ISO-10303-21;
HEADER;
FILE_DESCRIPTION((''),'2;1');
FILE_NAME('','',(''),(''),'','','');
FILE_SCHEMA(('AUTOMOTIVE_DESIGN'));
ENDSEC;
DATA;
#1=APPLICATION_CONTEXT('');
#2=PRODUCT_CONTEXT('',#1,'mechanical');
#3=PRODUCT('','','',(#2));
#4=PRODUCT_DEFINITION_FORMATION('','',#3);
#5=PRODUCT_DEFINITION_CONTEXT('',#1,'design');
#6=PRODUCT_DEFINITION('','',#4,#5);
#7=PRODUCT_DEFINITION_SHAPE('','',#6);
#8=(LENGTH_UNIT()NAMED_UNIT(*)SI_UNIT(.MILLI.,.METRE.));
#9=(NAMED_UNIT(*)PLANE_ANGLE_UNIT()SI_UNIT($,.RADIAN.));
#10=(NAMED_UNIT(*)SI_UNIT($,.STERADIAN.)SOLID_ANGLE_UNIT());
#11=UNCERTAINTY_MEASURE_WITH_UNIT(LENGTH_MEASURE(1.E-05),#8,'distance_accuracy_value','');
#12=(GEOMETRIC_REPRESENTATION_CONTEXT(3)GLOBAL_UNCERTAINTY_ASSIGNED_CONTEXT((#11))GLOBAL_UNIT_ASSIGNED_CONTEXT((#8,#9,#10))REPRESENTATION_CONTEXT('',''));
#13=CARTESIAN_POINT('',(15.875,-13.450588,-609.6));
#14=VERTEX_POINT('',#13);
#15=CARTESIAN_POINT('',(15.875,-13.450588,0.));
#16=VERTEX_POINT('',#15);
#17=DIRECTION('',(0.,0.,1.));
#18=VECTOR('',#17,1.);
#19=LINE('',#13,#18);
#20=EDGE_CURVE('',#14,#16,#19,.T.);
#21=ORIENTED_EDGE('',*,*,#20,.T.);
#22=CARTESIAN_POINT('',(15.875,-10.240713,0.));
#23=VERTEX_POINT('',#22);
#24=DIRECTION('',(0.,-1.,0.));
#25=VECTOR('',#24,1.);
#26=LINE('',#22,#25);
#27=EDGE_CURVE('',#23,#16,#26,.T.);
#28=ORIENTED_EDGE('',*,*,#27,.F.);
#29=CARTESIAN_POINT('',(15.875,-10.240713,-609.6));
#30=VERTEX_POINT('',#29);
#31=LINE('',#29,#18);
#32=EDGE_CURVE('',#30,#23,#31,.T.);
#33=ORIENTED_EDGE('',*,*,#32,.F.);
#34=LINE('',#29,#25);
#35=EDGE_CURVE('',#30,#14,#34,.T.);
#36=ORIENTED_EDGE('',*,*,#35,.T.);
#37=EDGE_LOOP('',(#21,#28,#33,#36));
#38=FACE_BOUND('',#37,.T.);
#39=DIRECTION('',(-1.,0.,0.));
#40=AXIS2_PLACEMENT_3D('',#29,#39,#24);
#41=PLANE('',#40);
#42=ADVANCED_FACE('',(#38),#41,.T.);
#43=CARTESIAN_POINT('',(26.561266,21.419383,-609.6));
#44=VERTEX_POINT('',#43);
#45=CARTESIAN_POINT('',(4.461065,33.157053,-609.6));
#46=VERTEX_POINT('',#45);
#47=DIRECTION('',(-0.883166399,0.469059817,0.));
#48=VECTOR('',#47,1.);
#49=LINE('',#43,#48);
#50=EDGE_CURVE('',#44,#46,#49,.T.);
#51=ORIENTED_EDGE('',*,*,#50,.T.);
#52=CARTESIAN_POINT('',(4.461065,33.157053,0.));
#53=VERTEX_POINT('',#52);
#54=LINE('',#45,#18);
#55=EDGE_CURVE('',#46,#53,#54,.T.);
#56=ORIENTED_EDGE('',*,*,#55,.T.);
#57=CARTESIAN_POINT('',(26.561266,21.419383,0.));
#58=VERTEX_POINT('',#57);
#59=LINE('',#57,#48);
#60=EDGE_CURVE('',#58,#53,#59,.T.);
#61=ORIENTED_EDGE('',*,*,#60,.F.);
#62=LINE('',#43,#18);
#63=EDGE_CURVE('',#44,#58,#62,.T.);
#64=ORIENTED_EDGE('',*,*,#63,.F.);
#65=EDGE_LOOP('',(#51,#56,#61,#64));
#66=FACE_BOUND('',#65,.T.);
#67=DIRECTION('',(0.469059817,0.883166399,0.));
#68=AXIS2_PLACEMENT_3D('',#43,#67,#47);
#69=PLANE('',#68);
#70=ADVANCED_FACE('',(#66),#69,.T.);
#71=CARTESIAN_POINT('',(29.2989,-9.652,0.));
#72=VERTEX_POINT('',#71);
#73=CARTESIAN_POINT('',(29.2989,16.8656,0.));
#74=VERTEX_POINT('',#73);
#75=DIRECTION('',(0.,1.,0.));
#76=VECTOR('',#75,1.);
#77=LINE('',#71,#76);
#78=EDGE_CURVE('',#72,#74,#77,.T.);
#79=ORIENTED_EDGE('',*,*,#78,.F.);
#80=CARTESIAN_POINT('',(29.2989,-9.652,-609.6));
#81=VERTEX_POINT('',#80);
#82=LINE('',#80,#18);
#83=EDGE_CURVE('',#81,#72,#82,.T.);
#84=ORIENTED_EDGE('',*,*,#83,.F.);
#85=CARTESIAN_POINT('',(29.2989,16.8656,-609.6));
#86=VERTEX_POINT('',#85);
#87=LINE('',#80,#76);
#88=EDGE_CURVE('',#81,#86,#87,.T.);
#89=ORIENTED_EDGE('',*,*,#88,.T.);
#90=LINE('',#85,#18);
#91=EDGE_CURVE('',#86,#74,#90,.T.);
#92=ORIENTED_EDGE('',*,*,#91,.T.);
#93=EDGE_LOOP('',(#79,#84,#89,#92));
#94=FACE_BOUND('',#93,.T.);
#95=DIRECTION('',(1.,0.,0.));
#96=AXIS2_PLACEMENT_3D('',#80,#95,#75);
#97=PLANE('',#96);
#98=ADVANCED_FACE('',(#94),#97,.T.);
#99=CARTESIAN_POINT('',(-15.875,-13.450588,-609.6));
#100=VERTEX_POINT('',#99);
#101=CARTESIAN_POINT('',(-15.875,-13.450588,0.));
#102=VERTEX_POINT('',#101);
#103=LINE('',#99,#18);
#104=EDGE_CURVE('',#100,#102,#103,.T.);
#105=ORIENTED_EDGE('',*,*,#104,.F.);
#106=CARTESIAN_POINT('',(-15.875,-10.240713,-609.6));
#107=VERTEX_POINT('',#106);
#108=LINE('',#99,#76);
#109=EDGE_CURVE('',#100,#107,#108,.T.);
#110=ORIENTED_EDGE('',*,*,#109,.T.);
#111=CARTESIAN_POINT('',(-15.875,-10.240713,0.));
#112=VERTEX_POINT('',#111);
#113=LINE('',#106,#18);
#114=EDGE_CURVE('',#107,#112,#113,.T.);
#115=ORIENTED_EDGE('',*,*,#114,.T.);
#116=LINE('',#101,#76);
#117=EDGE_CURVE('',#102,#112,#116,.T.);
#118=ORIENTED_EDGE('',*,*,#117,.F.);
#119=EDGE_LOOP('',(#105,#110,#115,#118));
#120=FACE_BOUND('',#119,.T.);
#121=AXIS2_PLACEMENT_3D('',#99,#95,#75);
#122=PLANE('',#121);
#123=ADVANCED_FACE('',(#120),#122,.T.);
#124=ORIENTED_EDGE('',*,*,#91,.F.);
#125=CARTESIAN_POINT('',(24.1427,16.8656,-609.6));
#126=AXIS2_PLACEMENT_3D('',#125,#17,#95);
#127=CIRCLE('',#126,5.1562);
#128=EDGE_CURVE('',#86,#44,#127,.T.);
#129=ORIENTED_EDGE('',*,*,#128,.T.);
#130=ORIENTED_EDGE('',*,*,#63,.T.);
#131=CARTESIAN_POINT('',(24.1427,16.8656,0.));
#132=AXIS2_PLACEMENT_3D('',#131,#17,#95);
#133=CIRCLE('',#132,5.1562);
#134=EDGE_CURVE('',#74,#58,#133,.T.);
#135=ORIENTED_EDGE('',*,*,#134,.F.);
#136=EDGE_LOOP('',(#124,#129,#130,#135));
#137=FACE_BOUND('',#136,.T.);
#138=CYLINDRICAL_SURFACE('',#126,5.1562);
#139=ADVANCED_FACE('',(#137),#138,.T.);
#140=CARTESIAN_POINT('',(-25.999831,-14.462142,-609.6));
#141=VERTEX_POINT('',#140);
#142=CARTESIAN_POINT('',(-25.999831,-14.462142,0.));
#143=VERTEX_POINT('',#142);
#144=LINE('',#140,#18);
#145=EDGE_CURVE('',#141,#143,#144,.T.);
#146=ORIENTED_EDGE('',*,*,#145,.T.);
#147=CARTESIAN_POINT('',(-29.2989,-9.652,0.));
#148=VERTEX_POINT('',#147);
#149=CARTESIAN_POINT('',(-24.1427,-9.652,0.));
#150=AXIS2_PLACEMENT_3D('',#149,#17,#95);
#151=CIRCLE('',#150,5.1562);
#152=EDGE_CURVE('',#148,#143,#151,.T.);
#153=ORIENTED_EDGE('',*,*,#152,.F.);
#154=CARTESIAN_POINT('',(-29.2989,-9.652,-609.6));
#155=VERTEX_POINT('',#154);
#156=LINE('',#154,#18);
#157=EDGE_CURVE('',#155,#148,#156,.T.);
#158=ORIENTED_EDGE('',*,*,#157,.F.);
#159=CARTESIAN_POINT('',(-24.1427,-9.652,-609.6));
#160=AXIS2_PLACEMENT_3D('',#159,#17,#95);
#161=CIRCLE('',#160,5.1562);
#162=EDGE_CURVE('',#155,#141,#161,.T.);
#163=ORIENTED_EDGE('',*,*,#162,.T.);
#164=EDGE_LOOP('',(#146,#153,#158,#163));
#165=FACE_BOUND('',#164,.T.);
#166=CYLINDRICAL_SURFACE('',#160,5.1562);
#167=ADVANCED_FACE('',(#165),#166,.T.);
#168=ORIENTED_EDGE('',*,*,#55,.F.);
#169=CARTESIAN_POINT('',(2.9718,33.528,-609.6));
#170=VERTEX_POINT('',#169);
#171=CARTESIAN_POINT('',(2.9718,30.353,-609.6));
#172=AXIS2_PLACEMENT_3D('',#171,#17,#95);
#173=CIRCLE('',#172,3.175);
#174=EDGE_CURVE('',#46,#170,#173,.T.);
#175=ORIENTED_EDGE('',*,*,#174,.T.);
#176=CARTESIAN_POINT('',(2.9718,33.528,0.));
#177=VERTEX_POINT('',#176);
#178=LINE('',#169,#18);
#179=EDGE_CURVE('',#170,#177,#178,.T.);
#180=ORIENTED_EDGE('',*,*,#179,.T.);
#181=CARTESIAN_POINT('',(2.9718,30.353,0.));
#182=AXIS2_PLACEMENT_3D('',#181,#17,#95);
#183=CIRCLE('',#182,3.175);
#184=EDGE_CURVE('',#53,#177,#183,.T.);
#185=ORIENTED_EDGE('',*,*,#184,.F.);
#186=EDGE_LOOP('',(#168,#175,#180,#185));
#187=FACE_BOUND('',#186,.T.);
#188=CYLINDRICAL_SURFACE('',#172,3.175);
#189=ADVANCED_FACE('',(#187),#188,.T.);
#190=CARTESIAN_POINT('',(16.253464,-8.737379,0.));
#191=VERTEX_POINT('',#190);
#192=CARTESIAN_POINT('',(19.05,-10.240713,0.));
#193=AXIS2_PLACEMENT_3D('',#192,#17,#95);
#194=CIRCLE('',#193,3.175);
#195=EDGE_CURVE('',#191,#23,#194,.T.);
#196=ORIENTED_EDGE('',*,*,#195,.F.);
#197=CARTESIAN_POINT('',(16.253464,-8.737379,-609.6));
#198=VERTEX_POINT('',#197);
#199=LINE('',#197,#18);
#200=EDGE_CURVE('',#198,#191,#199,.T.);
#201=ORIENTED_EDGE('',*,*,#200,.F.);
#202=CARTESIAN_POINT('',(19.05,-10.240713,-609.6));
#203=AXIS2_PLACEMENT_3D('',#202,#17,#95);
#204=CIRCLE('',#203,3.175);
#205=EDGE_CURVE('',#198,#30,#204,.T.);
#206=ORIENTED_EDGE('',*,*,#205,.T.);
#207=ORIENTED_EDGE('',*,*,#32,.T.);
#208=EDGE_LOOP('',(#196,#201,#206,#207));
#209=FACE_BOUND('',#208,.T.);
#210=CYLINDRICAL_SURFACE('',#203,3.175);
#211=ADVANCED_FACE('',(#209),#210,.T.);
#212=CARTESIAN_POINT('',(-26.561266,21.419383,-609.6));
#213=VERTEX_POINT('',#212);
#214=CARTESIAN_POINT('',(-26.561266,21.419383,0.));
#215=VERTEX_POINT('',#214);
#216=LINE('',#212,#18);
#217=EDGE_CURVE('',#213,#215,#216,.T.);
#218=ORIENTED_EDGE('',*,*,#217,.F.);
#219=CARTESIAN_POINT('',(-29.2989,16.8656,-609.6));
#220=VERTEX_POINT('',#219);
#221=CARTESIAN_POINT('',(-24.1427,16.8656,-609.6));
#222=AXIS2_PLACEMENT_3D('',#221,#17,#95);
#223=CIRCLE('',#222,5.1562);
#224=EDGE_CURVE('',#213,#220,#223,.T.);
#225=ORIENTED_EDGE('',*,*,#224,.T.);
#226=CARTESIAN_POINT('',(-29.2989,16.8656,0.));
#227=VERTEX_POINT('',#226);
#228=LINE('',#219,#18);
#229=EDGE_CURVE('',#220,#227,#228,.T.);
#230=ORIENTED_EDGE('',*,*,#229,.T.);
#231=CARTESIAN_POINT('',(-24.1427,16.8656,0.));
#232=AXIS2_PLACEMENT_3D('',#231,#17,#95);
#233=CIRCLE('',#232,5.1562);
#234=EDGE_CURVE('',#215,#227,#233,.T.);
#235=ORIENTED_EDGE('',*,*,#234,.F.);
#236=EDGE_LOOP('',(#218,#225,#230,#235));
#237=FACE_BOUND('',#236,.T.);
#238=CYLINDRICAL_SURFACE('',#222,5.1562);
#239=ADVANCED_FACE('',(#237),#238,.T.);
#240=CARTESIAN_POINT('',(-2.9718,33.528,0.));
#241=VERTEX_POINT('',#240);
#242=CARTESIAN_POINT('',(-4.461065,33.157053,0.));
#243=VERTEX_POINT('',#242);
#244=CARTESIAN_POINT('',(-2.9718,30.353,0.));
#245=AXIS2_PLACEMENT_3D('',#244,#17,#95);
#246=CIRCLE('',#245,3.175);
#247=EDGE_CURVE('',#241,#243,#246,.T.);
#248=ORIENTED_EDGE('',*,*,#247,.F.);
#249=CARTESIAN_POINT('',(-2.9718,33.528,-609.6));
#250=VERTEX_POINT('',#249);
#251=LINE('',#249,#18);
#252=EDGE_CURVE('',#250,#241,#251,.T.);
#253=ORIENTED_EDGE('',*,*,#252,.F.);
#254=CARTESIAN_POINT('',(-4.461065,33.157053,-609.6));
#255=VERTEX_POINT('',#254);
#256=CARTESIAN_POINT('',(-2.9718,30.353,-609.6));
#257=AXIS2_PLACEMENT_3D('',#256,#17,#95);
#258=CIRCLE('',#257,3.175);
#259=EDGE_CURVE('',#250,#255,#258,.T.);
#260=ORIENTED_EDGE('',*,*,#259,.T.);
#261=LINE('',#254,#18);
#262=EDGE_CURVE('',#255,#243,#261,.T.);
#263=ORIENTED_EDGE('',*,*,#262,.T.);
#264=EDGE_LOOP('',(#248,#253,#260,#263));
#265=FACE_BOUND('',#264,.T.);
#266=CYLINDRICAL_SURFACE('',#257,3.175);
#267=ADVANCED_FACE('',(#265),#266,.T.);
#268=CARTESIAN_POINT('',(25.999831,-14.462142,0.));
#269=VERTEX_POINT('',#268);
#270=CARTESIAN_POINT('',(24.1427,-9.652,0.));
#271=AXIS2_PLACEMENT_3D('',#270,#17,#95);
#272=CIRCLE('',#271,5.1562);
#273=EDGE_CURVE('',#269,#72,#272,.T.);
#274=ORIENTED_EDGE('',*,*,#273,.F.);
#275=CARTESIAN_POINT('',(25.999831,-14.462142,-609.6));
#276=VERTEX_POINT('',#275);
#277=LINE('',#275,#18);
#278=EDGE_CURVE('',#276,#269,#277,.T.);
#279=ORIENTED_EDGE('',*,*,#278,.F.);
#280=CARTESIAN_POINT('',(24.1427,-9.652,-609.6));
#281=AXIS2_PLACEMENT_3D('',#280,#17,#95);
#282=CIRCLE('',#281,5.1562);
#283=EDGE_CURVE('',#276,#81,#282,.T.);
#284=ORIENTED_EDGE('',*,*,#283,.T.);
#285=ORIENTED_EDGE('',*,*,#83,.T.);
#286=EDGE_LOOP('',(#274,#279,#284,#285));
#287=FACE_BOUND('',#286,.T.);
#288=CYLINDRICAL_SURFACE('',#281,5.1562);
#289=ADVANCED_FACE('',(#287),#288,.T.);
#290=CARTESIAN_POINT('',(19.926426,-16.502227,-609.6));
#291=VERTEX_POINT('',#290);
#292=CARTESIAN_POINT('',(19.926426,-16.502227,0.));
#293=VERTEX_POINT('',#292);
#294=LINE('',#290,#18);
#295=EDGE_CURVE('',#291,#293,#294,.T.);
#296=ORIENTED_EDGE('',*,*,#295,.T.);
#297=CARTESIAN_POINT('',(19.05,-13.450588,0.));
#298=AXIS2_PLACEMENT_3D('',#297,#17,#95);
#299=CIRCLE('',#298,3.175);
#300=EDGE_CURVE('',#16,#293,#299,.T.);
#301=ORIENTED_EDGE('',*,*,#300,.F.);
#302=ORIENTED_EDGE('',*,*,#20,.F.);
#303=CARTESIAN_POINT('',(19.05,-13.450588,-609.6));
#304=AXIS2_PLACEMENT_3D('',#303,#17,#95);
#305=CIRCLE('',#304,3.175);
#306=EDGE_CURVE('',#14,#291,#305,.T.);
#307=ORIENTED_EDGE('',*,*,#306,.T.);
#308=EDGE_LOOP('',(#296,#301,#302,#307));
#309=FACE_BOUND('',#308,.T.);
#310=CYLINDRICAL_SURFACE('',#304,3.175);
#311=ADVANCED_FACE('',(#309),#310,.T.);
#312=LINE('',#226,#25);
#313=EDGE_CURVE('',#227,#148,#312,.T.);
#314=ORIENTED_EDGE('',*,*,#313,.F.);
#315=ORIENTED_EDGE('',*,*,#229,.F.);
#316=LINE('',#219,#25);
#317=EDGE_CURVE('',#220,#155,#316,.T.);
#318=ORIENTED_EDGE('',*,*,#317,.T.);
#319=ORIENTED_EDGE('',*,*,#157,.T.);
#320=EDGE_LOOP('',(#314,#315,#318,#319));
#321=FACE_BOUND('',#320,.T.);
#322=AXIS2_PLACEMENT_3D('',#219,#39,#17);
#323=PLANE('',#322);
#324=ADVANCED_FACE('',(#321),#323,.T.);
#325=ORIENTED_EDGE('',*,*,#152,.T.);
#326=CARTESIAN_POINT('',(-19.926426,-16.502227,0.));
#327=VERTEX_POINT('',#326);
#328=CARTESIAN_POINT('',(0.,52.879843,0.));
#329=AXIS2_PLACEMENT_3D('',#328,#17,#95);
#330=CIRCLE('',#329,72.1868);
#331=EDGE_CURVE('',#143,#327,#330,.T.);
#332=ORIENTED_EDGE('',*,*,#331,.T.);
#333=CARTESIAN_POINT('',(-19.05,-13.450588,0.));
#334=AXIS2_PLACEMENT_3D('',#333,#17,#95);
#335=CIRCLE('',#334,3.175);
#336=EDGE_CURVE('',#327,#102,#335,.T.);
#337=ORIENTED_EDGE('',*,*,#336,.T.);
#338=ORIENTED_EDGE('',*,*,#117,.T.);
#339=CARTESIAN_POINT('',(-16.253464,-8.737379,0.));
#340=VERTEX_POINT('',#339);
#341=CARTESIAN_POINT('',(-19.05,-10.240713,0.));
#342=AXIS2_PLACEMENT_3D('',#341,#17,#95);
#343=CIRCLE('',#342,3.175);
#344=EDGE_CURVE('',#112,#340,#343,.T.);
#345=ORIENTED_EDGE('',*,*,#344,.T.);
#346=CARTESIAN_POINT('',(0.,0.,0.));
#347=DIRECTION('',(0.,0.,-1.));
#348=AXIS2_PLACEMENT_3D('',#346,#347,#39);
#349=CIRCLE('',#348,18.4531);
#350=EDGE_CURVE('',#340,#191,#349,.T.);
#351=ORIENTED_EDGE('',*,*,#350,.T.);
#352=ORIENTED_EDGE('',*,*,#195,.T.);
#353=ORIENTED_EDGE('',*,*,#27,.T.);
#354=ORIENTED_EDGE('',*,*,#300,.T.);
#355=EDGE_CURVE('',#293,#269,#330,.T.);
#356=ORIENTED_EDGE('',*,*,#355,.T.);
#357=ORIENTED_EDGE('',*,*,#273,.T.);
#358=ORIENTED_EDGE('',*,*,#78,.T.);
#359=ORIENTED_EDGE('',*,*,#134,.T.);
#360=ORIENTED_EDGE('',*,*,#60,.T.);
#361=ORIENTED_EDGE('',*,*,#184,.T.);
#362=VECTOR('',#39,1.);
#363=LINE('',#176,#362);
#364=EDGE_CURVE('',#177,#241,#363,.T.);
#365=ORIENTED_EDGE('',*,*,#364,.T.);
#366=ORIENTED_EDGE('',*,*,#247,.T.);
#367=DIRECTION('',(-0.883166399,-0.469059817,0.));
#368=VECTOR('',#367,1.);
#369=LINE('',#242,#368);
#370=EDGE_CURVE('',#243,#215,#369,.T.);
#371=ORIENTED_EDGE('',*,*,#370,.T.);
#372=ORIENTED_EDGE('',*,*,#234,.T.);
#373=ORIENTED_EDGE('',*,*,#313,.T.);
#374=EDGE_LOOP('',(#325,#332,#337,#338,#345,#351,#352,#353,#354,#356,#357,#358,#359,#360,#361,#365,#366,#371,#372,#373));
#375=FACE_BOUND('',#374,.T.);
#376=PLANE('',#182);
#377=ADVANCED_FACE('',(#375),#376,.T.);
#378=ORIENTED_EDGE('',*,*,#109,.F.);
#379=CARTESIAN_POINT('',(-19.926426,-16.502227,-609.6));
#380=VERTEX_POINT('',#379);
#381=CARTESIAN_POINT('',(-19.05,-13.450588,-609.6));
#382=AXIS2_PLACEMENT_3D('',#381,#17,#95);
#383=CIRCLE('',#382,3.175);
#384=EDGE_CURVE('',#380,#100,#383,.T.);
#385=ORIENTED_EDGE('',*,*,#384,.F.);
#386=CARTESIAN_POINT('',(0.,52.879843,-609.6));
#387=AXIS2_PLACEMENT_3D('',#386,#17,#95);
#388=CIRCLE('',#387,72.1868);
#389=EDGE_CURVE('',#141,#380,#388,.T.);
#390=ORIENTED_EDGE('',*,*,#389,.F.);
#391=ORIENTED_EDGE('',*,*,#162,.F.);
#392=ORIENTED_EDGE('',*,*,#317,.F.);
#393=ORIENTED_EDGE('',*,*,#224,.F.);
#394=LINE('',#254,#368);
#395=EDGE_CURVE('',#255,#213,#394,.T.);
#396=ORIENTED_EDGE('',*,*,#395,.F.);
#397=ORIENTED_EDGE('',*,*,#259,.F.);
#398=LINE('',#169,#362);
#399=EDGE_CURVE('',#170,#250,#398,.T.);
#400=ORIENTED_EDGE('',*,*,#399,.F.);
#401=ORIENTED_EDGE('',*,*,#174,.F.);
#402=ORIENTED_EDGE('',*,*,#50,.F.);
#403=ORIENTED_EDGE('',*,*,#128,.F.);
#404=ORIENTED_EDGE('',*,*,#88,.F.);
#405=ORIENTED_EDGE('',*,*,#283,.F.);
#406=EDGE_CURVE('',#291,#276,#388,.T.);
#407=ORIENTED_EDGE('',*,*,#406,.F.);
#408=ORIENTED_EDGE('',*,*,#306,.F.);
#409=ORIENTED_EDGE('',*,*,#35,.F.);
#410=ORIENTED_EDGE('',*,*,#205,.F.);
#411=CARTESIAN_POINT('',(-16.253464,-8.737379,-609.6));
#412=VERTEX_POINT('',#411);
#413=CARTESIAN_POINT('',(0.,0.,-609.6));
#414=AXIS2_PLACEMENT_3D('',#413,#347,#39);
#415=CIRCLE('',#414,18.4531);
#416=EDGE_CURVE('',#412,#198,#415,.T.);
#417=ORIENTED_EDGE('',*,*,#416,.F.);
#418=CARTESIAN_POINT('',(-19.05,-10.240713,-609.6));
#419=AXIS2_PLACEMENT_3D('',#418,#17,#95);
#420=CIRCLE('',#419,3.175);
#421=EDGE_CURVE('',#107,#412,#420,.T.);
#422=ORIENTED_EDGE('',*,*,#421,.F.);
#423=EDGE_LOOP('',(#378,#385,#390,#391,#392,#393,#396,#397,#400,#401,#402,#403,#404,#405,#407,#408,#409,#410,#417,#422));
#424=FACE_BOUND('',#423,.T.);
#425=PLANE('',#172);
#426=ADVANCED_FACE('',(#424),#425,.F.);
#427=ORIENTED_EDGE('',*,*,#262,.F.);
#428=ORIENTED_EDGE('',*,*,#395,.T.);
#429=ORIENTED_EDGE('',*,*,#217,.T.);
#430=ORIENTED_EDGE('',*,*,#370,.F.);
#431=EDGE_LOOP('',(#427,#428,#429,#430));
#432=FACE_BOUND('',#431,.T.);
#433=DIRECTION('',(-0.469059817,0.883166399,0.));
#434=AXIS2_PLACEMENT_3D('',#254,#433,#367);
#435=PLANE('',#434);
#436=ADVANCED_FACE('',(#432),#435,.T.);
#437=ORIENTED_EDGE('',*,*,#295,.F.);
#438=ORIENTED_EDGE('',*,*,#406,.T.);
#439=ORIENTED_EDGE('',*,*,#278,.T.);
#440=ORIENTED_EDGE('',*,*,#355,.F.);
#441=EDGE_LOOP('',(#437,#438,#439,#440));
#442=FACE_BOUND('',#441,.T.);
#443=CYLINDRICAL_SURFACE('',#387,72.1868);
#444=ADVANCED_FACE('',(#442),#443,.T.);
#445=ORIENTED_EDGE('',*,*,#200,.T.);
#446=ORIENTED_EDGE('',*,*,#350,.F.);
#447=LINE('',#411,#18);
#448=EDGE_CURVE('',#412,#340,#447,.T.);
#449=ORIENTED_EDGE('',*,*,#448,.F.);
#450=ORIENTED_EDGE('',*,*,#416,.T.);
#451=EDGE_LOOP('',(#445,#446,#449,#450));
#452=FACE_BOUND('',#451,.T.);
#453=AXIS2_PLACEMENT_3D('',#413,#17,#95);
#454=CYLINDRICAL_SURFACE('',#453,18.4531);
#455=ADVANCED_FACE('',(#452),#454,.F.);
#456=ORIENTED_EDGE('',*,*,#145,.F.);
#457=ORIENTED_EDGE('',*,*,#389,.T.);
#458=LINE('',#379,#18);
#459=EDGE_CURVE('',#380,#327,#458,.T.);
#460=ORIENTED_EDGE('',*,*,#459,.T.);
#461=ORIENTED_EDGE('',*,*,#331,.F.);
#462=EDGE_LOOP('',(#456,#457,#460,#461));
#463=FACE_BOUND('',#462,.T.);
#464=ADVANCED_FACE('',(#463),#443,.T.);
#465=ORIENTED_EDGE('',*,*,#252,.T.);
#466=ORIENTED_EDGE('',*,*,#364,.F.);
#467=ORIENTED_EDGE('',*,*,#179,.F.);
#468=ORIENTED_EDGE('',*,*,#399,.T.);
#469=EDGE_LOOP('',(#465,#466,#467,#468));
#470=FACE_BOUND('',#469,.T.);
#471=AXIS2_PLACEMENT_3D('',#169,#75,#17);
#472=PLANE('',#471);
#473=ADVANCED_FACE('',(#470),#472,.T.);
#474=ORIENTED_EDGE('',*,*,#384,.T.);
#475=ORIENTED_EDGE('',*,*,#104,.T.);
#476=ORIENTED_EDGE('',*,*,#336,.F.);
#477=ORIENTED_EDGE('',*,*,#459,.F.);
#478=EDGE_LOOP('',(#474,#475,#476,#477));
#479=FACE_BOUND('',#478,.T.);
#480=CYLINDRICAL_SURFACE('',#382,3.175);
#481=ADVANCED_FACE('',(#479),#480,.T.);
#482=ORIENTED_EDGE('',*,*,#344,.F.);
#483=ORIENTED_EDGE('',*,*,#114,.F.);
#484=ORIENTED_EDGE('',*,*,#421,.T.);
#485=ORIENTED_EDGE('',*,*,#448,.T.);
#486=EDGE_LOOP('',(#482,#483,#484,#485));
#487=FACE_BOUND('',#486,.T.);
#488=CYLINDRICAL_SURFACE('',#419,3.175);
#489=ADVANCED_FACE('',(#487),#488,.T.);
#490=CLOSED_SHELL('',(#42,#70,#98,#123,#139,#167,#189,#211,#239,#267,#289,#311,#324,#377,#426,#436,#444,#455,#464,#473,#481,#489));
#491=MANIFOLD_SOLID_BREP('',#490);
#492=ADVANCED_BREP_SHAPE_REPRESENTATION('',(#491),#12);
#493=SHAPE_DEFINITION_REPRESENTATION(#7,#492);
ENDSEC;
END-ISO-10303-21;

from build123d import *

# Parameters (mm, degrees)
EXTRUDE1_DEPTH = 609.6


with BuildPart() as part:
    # Sketch1 → Extrude1 (new body)
    with BuildSketch(Plane.XY):
        with BuildLine():
            Line((2.9718, 33.528), (-2.9718, 33.528))
            ThreePointArc((-2.9718, 33.528), (-3.739183777, 33.43386792), (-4.46106492, 33.157053316))
            Line((-4.46106492, 33.157053316), (-26.56126623, 21.419382585))
            ThreePointArc((-26.56126623, 21.419382585), (-28.56180679, 19.522269649), (-29.2989, 16.8656))
            Line((-29.2989, 16.8656), (-29.2989, -9.652))
            ThreePointArc((-29.2989, -9.652), (-28.394883916, -12.568389957), (-25.999830769, -14.462141759))
            ThreePointArc((-25.999830769, -14.462141759), (-22.985772925, -15.549597701), (-19.926426205, -16.502227094))
            ThreePointArc((-19.926426205, -16.502227094), (-17.139768103, -15.98665549), (-15.875, -13.450587845))
            Line((-15.875, -13.450587845), (-15.875, -10.240713335))
            ThreePointArc((-15.875, -10.240713335), (-15.971069561, -9.465592471), (-16.253464474, -8.737379023))
            ThreePointArc((-16.253464474, -8.737379023), (0, 18.4531), (16.253464474, -8.737379023))
            ThreePointArc((16.253464474, -8.737379023), (15.971069561, -9.465592471), (15.875, -10.240713335))
            Line((15.875, -10.240713335), (15.875, -13.450587845))
            ThreePointArc((15.875, -13.450587845), (17.139768103, -15.98665549), (19.926426205, -16.502227094))
            ThreePointArc((19.926426205, -16.502227094), (22.985772925, -15.549597701), (25.999830769, -14.462141759))
            ThreePointArc((25.999830769, -14.462141759), (28.394883916, -12.568389957), (29.2989, -9.652))
            Line((29.2989, -9.652), (29.2989, 16.8656))
            ThreePointArc((29.2989, 16.8656), (28.56180679, 19.522269649), (26.56126623, 21.419382585))
            Line((26.56126623, 21.419382585), (4.46106492, 33.157053316))
            ThreePointArc((4.46106492, 33.157053316), (3.739183777, 33.43386792), (2.9718, 33.528))
        make_face()
    extrude(amount=-EXTRUDE1_DEPTH)


solid = part.part
